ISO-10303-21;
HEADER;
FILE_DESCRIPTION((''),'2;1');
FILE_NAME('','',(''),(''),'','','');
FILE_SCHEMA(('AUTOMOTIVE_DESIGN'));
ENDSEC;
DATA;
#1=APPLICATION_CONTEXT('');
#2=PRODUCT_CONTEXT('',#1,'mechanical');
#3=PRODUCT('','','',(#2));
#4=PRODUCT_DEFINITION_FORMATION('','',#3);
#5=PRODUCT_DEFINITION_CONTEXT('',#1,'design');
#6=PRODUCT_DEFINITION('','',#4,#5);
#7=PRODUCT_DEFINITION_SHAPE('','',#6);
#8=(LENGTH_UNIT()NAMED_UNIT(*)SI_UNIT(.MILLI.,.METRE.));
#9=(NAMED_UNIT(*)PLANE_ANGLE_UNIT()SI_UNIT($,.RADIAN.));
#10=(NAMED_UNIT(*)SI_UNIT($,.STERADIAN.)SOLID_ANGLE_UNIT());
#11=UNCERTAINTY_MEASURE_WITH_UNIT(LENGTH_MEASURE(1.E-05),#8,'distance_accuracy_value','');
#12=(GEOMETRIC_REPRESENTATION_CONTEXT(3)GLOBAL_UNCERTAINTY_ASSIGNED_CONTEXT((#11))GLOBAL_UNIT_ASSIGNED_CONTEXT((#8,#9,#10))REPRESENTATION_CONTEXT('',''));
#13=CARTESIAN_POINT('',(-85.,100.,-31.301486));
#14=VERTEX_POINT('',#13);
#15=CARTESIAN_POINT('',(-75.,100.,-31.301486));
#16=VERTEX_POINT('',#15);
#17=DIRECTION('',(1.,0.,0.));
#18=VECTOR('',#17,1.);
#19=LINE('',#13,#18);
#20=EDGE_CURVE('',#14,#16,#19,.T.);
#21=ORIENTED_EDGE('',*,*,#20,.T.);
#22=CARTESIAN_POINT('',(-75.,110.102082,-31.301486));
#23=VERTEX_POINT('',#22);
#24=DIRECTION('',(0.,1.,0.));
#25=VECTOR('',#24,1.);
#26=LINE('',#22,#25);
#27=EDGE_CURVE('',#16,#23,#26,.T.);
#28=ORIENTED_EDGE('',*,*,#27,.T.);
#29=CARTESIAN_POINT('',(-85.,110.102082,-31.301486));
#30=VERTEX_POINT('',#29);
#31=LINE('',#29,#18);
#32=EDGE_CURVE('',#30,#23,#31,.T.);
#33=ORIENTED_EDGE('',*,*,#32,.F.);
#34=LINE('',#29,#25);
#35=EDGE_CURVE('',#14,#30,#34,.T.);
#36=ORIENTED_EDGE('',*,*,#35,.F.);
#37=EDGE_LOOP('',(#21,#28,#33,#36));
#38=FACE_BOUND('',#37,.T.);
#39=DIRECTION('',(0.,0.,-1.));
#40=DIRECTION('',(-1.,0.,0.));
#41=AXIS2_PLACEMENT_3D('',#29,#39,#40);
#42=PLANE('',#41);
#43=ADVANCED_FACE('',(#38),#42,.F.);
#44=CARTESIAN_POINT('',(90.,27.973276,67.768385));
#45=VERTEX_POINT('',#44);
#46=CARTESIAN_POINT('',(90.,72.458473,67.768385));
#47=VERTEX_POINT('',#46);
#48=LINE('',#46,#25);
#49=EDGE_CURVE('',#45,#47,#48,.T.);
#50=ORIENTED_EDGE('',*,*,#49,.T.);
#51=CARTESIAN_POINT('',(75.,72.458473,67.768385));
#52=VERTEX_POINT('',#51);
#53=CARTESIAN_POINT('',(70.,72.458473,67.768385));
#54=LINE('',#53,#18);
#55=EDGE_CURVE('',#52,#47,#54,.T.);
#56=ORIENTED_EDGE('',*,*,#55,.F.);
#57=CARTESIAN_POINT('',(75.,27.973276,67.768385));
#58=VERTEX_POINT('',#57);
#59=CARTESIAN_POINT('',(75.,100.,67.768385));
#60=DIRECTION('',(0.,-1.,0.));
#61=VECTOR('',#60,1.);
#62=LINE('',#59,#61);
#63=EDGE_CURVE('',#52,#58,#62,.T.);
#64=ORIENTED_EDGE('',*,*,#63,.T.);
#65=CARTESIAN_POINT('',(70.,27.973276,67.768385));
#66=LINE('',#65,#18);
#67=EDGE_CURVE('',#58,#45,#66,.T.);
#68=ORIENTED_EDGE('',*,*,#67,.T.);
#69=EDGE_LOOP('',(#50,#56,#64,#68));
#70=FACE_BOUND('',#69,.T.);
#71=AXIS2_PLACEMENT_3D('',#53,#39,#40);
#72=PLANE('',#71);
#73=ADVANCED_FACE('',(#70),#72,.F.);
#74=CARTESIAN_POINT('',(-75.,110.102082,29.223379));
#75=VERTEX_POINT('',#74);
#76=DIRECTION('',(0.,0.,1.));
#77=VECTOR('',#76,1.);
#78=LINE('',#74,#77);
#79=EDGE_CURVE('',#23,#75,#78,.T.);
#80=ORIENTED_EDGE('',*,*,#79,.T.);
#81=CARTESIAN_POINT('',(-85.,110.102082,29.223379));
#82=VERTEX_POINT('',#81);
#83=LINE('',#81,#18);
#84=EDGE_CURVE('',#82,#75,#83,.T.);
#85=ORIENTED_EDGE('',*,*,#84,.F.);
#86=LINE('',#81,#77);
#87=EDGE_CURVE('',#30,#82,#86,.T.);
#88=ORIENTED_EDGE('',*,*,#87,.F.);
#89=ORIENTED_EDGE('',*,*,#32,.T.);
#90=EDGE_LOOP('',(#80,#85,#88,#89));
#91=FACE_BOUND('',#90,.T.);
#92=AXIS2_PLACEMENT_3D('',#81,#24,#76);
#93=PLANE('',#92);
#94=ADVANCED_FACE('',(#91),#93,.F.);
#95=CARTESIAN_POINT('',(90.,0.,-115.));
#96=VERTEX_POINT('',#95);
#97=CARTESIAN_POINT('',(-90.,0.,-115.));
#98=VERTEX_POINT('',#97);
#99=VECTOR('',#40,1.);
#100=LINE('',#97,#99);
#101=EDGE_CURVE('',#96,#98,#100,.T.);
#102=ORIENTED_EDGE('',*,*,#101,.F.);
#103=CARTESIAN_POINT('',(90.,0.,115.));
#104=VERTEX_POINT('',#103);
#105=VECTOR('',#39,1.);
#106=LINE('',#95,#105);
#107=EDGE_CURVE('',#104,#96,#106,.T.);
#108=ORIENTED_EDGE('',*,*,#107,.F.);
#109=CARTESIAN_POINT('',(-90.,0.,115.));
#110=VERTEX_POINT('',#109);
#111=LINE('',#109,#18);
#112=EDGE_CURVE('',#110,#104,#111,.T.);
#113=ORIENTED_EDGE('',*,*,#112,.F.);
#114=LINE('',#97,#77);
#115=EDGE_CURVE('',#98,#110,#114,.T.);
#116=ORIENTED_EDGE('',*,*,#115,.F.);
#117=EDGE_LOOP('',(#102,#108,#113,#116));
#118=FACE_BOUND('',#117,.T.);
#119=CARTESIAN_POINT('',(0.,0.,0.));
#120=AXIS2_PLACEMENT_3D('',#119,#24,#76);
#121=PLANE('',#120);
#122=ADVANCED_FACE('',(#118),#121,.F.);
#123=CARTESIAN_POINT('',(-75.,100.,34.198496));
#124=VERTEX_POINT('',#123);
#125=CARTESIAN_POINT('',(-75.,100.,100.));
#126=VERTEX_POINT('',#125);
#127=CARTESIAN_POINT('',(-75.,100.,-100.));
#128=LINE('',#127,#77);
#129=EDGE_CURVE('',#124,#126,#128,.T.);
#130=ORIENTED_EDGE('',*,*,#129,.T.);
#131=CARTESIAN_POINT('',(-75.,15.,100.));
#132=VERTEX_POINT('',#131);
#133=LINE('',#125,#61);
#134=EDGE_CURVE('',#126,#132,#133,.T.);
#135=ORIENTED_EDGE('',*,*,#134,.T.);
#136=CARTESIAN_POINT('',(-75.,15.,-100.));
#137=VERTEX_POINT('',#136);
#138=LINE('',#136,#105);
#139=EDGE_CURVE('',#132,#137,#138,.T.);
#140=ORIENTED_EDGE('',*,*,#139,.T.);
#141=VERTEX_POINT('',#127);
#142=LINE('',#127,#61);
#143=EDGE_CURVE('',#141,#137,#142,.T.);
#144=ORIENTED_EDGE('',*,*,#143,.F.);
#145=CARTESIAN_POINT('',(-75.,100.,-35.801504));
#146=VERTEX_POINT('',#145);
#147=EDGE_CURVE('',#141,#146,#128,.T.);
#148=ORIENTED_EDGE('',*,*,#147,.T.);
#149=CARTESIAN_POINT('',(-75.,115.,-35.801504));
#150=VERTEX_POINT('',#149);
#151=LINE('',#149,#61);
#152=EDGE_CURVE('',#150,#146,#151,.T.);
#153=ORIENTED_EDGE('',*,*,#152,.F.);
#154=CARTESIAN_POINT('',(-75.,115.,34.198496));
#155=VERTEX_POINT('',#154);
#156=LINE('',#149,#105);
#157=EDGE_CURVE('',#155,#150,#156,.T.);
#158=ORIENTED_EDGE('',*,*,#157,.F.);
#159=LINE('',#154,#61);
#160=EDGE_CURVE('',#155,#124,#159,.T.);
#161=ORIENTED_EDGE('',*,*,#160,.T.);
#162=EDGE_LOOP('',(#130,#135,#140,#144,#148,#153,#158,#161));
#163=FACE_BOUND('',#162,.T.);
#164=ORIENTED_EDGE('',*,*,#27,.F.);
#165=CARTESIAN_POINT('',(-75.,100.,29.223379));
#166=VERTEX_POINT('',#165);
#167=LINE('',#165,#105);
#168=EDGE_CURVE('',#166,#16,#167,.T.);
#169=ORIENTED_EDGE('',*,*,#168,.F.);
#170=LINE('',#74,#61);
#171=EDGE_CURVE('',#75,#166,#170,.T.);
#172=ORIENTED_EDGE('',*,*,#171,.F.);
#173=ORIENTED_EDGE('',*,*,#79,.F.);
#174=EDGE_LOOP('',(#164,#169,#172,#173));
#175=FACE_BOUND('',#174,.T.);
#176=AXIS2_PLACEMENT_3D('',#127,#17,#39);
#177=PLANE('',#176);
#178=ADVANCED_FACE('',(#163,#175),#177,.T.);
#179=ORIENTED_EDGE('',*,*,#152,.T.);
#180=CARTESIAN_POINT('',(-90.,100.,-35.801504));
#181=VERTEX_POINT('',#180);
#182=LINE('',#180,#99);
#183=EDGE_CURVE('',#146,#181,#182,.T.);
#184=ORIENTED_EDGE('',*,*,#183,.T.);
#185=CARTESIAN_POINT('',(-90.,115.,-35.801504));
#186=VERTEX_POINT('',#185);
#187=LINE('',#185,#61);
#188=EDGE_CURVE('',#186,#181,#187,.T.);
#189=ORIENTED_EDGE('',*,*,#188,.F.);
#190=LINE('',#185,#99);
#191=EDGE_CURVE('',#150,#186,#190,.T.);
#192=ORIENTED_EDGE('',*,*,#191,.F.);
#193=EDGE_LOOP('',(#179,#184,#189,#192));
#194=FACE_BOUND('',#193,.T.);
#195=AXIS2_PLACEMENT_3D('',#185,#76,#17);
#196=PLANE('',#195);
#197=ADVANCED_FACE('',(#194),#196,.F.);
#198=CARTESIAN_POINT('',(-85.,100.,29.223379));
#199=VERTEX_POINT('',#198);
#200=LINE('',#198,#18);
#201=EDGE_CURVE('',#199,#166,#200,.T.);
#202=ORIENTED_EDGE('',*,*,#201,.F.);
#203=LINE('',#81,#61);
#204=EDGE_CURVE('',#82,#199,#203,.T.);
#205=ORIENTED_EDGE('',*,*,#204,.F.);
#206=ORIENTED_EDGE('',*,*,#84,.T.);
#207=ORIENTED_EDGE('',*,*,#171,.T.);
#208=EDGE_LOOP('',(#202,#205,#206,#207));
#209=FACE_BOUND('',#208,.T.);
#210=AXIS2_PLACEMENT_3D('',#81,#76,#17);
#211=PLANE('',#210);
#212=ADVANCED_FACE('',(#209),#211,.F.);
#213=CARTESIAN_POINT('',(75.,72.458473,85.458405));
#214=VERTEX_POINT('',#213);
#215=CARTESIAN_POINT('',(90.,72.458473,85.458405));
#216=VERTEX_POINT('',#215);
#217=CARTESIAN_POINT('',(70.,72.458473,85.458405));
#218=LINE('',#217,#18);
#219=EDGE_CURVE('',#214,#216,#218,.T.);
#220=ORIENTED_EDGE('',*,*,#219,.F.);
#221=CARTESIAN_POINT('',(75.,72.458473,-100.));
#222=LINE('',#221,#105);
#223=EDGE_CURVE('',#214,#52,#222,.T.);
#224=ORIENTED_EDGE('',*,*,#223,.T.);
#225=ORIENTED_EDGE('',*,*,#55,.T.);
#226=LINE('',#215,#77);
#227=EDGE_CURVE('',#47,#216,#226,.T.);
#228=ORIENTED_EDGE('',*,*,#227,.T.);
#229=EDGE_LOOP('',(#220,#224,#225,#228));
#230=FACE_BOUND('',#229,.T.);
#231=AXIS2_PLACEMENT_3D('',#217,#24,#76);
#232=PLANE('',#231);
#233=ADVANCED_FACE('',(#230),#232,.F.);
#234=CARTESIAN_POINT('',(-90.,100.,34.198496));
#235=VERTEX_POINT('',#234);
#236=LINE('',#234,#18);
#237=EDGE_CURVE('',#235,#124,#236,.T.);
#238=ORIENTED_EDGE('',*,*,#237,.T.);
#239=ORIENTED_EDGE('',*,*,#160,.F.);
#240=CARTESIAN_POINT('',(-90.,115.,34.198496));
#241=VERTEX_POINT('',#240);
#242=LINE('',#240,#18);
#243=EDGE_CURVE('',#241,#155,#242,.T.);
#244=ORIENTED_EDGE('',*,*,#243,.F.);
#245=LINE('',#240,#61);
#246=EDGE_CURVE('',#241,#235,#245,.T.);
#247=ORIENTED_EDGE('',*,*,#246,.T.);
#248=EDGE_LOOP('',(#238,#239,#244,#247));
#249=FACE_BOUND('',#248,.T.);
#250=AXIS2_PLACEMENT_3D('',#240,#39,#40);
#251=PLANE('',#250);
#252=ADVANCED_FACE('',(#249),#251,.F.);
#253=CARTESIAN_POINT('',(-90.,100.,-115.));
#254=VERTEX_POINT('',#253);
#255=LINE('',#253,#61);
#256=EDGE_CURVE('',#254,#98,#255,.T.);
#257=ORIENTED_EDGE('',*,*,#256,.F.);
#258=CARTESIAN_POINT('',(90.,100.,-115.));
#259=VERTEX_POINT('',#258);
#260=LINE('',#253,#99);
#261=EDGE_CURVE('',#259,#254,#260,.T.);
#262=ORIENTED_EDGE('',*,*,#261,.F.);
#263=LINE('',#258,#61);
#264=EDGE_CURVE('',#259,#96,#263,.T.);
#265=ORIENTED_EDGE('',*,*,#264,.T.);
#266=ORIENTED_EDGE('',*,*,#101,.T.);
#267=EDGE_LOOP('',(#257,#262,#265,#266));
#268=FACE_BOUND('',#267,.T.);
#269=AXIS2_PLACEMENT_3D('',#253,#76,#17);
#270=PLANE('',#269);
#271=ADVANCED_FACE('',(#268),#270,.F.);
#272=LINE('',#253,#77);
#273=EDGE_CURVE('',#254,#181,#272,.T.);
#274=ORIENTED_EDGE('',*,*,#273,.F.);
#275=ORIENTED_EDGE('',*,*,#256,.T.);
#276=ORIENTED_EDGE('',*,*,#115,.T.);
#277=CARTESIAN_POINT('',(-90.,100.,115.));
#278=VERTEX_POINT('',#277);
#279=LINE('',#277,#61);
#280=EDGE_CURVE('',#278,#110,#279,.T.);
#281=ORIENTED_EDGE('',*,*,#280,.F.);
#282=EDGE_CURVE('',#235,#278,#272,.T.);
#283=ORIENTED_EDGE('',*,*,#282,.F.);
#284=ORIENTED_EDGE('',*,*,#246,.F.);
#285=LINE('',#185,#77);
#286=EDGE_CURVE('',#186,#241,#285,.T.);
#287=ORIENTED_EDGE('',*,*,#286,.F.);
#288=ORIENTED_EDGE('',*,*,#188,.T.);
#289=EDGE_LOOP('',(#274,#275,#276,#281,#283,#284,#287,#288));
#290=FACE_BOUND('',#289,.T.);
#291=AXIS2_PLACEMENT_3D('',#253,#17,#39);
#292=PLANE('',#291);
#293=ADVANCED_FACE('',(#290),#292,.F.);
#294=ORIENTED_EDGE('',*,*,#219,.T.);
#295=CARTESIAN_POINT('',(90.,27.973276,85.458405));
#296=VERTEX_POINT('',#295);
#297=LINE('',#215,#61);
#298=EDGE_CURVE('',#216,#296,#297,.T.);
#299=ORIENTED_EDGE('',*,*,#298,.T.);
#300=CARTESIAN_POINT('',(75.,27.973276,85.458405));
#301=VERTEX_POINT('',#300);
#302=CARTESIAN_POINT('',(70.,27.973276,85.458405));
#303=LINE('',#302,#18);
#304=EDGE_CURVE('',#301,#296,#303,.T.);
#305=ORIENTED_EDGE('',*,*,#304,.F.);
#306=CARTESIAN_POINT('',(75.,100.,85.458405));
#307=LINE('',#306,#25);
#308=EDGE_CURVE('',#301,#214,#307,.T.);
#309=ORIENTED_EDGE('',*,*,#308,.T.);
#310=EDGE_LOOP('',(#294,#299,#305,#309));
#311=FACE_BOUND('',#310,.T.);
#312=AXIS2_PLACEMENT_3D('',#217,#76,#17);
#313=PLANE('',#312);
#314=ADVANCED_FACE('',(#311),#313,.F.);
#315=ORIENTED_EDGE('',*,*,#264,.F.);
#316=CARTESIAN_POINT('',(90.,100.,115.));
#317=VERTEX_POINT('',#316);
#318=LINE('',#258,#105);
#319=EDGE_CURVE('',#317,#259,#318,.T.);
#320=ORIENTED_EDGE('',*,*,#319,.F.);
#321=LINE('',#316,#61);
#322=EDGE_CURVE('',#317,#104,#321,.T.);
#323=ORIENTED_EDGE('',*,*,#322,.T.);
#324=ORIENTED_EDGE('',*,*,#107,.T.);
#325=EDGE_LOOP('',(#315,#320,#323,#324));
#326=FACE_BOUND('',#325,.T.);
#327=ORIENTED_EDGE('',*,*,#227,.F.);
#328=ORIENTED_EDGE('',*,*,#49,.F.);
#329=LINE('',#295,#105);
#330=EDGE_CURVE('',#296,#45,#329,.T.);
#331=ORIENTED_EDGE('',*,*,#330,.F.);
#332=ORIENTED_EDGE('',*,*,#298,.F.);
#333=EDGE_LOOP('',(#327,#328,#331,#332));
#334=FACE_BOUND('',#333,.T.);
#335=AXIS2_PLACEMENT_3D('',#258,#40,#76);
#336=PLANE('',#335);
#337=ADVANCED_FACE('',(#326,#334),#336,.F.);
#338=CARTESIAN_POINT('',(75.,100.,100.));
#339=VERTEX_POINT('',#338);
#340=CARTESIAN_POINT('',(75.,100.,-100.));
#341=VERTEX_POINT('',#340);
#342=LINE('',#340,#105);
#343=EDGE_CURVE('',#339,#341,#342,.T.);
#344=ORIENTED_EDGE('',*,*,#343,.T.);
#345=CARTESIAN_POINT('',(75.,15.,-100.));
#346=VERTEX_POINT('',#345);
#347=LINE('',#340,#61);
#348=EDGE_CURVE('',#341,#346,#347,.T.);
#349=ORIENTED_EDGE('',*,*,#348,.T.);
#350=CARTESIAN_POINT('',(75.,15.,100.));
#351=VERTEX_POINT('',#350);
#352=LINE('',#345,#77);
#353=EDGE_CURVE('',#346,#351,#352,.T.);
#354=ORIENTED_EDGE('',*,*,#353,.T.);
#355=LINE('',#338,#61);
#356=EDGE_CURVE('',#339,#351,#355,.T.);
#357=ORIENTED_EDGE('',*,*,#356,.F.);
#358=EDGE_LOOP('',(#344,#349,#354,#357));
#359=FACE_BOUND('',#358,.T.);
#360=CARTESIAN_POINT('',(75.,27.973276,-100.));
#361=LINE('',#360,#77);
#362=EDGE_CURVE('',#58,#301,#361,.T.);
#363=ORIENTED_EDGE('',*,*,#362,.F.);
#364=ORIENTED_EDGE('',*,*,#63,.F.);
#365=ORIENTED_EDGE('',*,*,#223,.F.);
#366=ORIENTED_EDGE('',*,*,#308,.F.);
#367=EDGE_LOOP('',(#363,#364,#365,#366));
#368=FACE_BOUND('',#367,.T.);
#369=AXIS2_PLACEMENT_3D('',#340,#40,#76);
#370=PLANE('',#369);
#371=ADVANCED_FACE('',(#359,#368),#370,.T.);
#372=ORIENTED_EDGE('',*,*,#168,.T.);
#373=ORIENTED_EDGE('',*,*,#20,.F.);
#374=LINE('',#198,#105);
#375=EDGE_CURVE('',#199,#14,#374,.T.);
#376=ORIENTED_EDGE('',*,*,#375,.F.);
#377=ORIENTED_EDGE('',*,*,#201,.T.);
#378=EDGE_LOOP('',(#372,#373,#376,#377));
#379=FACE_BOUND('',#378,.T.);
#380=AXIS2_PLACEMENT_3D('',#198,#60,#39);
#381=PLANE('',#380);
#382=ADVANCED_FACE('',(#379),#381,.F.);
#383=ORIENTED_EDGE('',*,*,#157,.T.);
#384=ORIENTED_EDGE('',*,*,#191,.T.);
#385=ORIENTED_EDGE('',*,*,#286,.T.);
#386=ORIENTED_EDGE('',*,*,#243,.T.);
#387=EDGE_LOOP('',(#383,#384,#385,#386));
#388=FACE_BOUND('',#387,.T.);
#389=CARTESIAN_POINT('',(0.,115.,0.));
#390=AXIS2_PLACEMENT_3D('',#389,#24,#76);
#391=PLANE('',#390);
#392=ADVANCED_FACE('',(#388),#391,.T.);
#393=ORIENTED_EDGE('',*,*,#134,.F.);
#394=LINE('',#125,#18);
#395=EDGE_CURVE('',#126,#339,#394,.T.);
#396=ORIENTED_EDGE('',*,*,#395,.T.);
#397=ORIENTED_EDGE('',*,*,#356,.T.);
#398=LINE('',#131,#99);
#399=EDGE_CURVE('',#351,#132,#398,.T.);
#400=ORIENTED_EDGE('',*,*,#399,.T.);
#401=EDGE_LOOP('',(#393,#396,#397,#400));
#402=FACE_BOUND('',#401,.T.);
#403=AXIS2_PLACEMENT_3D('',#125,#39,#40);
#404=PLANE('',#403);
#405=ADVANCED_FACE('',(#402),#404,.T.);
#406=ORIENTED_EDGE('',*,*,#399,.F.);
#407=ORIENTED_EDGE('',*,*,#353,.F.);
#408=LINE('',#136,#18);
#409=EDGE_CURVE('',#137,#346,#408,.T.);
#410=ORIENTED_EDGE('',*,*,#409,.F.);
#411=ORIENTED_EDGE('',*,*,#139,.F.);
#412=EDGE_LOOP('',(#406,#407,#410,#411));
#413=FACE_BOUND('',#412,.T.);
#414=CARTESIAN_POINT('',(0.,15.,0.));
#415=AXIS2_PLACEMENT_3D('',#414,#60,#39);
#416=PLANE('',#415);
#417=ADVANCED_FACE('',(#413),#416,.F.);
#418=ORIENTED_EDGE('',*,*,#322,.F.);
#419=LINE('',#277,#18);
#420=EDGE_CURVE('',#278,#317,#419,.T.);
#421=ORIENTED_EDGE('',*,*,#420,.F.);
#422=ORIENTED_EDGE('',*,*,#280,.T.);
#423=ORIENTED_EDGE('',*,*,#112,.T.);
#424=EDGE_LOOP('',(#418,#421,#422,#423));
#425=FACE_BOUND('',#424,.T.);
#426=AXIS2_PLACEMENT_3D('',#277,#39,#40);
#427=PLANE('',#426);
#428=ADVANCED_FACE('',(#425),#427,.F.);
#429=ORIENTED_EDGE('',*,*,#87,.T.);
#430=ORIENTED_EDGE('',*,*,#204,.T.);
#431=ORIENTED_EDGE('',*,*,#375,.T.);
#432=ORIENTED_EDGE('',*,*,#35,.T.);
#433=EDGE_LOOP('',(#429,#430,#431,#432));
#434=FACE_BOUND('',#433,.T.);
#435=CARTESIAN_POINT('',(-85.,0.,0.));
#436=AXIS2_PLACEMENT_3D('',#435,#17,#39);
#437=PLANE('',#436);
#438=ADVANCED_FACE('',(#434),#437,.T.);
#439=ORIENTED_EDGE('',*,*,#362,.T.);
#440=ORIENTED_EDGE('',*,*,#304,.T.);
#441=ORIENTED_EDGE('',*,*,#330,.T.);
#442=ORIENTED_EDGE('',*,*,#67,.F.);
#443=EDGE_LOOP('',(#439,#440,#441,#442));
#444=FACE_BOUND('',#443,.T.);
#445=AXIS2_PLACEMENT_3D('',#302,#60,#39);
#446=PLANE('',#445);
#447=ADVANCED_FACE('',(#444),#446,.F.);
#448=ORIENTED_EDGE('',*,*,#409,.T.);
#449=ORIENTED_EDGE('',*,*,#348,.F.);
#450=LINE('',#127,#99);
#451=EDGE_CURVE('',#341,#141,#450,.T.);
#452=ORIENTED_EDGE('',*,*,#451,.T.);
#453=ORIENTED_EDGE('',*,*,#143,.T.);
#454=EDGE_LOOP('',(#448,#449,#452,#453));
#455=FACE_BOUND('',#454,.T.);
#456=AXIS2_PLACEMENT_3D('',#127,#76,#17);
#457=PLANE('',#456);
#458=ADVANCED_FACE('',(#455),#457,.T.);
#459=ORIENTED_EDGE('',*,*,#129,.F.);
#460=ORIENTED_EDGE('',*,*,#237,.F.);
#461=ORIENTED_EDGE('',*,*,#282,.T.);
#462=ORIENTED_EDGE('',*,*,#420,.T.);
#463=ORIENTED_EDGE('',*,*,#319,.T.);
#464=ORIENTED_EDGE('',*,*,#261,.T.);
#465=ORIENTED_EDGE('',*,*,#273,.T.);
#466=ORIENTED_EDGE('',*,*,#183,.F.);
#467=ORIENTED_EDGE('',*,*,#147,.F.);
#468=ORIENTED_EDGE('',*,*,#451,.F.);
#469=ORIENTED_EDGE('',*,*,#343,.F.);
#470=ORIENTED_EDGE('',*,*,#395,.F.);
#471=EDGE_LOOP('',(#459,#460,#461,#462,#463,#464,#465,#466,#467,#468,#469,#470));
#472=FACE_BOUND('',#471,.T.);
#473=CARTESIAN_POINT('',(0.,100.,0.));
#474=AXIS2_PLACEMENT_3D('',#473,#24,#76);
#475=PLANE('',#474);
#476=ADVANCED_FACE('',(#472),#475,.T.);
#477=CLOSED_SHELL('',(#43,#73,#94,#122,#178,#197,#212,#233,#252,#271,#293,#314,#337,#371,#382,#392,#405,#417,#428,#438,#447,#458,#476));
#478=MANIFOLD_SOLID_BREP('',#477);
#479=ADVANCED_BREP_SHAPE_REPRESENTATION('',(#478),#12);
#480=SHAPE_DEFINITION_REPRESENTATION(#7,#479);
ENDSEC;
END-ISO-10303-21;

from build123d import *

# Parameters (mm, degrees)
SKETCH1_W           = 180
SKETCH1_H           = 230
SKETCH1_W_2         = 150
SKETCH1_H_2         = 200
BOSS_EXTRUDE1_DEPTH = 100
SKETCH2_W           = 180
SKETCH2_H           = 230
BOSS_EXTRUDE2_DEPTH = 15
SKETCH3_W           = 15
SKETCH3_H           = 70
BOSS_EXTRUDE3_DEPTH = 15
SKETCH4_W           = 60.52486508
SKETCH4_H           = 10.102082312
CUT_EXTRUDE1_DEPTH  = 10
SKETCH5_W           = 17.690019853
SKETCH5_H           = 44.485196982
CUT_EXTRUDE2_DEPTH  = 20


with BuildPart() as part:
    # Sketch1 → Boss-Extrude1 (new body)
    with BuildSketch(Plane(origin=(0, 0, 0), x_dir=(1, 0, 0), z_dir=(0, 1, 0))):
        Rectangle(SKETCH1_W, SKETCH1_H)
        Rectangle(SKETCH1_W_2, SKETCH1_H_2, mode=Mode.SUBTRACT)
    extrude(amount=BOSS_EXTRUDE1_DEPTH)

    # Sketch2 → Boss-Extrude2 (add)
    with BuildSketch(Plane.XZ):
        Rectangle(SKETCH2_W, SKETCH2_H)
    extrude(amount=-BOSS_EXTRUDE2_DEPTH)

    # Sketch3 → Boss-Extrude3 (add)
    with BuildSketch(Plane(origin=(0, 100, 0), x_dir=(1, 0, 0), z_dir=(0, 1, 0))):
        with Locations((-82.5, 0.801504388)):
            Rectangle(SKETCH3_W, SKETCH3_H)
    extrude(amount=BOSS_EXTRUDE3_DEPTH)

    # Sketch4 → Cut-Extrude1 (cut)
    with BuildSketch(Plane(origin=(-75, 0, 0), x_dir=(0, 0, -1), z_dir=(1, 0, 0))):
        with Locations((1.039053478, 105.051041156)):
            Rectangle(SKETCH4_W, SKETCH4_H)
    extrude(amount=-CUT_EXTRUDE1_DEPTH, mode=Mode.SUBTRACT)

    # Sketch5 → Cut-Extrude2 (cut)
    with BuildSketch(Plane(origin=(90, 0, 0), x_dir=(0, 0, -1), z_dir=(1, 0, 0))):
        with Locations((-76.613394803, 50.215874178)):
            Rectangle(SKETCH5_W, SKETCH5_H)
    extrude(amount=-CUT_EXTRUDE2_DEPTH, mode=Mode.SUBTRACT)


solid = part.part
